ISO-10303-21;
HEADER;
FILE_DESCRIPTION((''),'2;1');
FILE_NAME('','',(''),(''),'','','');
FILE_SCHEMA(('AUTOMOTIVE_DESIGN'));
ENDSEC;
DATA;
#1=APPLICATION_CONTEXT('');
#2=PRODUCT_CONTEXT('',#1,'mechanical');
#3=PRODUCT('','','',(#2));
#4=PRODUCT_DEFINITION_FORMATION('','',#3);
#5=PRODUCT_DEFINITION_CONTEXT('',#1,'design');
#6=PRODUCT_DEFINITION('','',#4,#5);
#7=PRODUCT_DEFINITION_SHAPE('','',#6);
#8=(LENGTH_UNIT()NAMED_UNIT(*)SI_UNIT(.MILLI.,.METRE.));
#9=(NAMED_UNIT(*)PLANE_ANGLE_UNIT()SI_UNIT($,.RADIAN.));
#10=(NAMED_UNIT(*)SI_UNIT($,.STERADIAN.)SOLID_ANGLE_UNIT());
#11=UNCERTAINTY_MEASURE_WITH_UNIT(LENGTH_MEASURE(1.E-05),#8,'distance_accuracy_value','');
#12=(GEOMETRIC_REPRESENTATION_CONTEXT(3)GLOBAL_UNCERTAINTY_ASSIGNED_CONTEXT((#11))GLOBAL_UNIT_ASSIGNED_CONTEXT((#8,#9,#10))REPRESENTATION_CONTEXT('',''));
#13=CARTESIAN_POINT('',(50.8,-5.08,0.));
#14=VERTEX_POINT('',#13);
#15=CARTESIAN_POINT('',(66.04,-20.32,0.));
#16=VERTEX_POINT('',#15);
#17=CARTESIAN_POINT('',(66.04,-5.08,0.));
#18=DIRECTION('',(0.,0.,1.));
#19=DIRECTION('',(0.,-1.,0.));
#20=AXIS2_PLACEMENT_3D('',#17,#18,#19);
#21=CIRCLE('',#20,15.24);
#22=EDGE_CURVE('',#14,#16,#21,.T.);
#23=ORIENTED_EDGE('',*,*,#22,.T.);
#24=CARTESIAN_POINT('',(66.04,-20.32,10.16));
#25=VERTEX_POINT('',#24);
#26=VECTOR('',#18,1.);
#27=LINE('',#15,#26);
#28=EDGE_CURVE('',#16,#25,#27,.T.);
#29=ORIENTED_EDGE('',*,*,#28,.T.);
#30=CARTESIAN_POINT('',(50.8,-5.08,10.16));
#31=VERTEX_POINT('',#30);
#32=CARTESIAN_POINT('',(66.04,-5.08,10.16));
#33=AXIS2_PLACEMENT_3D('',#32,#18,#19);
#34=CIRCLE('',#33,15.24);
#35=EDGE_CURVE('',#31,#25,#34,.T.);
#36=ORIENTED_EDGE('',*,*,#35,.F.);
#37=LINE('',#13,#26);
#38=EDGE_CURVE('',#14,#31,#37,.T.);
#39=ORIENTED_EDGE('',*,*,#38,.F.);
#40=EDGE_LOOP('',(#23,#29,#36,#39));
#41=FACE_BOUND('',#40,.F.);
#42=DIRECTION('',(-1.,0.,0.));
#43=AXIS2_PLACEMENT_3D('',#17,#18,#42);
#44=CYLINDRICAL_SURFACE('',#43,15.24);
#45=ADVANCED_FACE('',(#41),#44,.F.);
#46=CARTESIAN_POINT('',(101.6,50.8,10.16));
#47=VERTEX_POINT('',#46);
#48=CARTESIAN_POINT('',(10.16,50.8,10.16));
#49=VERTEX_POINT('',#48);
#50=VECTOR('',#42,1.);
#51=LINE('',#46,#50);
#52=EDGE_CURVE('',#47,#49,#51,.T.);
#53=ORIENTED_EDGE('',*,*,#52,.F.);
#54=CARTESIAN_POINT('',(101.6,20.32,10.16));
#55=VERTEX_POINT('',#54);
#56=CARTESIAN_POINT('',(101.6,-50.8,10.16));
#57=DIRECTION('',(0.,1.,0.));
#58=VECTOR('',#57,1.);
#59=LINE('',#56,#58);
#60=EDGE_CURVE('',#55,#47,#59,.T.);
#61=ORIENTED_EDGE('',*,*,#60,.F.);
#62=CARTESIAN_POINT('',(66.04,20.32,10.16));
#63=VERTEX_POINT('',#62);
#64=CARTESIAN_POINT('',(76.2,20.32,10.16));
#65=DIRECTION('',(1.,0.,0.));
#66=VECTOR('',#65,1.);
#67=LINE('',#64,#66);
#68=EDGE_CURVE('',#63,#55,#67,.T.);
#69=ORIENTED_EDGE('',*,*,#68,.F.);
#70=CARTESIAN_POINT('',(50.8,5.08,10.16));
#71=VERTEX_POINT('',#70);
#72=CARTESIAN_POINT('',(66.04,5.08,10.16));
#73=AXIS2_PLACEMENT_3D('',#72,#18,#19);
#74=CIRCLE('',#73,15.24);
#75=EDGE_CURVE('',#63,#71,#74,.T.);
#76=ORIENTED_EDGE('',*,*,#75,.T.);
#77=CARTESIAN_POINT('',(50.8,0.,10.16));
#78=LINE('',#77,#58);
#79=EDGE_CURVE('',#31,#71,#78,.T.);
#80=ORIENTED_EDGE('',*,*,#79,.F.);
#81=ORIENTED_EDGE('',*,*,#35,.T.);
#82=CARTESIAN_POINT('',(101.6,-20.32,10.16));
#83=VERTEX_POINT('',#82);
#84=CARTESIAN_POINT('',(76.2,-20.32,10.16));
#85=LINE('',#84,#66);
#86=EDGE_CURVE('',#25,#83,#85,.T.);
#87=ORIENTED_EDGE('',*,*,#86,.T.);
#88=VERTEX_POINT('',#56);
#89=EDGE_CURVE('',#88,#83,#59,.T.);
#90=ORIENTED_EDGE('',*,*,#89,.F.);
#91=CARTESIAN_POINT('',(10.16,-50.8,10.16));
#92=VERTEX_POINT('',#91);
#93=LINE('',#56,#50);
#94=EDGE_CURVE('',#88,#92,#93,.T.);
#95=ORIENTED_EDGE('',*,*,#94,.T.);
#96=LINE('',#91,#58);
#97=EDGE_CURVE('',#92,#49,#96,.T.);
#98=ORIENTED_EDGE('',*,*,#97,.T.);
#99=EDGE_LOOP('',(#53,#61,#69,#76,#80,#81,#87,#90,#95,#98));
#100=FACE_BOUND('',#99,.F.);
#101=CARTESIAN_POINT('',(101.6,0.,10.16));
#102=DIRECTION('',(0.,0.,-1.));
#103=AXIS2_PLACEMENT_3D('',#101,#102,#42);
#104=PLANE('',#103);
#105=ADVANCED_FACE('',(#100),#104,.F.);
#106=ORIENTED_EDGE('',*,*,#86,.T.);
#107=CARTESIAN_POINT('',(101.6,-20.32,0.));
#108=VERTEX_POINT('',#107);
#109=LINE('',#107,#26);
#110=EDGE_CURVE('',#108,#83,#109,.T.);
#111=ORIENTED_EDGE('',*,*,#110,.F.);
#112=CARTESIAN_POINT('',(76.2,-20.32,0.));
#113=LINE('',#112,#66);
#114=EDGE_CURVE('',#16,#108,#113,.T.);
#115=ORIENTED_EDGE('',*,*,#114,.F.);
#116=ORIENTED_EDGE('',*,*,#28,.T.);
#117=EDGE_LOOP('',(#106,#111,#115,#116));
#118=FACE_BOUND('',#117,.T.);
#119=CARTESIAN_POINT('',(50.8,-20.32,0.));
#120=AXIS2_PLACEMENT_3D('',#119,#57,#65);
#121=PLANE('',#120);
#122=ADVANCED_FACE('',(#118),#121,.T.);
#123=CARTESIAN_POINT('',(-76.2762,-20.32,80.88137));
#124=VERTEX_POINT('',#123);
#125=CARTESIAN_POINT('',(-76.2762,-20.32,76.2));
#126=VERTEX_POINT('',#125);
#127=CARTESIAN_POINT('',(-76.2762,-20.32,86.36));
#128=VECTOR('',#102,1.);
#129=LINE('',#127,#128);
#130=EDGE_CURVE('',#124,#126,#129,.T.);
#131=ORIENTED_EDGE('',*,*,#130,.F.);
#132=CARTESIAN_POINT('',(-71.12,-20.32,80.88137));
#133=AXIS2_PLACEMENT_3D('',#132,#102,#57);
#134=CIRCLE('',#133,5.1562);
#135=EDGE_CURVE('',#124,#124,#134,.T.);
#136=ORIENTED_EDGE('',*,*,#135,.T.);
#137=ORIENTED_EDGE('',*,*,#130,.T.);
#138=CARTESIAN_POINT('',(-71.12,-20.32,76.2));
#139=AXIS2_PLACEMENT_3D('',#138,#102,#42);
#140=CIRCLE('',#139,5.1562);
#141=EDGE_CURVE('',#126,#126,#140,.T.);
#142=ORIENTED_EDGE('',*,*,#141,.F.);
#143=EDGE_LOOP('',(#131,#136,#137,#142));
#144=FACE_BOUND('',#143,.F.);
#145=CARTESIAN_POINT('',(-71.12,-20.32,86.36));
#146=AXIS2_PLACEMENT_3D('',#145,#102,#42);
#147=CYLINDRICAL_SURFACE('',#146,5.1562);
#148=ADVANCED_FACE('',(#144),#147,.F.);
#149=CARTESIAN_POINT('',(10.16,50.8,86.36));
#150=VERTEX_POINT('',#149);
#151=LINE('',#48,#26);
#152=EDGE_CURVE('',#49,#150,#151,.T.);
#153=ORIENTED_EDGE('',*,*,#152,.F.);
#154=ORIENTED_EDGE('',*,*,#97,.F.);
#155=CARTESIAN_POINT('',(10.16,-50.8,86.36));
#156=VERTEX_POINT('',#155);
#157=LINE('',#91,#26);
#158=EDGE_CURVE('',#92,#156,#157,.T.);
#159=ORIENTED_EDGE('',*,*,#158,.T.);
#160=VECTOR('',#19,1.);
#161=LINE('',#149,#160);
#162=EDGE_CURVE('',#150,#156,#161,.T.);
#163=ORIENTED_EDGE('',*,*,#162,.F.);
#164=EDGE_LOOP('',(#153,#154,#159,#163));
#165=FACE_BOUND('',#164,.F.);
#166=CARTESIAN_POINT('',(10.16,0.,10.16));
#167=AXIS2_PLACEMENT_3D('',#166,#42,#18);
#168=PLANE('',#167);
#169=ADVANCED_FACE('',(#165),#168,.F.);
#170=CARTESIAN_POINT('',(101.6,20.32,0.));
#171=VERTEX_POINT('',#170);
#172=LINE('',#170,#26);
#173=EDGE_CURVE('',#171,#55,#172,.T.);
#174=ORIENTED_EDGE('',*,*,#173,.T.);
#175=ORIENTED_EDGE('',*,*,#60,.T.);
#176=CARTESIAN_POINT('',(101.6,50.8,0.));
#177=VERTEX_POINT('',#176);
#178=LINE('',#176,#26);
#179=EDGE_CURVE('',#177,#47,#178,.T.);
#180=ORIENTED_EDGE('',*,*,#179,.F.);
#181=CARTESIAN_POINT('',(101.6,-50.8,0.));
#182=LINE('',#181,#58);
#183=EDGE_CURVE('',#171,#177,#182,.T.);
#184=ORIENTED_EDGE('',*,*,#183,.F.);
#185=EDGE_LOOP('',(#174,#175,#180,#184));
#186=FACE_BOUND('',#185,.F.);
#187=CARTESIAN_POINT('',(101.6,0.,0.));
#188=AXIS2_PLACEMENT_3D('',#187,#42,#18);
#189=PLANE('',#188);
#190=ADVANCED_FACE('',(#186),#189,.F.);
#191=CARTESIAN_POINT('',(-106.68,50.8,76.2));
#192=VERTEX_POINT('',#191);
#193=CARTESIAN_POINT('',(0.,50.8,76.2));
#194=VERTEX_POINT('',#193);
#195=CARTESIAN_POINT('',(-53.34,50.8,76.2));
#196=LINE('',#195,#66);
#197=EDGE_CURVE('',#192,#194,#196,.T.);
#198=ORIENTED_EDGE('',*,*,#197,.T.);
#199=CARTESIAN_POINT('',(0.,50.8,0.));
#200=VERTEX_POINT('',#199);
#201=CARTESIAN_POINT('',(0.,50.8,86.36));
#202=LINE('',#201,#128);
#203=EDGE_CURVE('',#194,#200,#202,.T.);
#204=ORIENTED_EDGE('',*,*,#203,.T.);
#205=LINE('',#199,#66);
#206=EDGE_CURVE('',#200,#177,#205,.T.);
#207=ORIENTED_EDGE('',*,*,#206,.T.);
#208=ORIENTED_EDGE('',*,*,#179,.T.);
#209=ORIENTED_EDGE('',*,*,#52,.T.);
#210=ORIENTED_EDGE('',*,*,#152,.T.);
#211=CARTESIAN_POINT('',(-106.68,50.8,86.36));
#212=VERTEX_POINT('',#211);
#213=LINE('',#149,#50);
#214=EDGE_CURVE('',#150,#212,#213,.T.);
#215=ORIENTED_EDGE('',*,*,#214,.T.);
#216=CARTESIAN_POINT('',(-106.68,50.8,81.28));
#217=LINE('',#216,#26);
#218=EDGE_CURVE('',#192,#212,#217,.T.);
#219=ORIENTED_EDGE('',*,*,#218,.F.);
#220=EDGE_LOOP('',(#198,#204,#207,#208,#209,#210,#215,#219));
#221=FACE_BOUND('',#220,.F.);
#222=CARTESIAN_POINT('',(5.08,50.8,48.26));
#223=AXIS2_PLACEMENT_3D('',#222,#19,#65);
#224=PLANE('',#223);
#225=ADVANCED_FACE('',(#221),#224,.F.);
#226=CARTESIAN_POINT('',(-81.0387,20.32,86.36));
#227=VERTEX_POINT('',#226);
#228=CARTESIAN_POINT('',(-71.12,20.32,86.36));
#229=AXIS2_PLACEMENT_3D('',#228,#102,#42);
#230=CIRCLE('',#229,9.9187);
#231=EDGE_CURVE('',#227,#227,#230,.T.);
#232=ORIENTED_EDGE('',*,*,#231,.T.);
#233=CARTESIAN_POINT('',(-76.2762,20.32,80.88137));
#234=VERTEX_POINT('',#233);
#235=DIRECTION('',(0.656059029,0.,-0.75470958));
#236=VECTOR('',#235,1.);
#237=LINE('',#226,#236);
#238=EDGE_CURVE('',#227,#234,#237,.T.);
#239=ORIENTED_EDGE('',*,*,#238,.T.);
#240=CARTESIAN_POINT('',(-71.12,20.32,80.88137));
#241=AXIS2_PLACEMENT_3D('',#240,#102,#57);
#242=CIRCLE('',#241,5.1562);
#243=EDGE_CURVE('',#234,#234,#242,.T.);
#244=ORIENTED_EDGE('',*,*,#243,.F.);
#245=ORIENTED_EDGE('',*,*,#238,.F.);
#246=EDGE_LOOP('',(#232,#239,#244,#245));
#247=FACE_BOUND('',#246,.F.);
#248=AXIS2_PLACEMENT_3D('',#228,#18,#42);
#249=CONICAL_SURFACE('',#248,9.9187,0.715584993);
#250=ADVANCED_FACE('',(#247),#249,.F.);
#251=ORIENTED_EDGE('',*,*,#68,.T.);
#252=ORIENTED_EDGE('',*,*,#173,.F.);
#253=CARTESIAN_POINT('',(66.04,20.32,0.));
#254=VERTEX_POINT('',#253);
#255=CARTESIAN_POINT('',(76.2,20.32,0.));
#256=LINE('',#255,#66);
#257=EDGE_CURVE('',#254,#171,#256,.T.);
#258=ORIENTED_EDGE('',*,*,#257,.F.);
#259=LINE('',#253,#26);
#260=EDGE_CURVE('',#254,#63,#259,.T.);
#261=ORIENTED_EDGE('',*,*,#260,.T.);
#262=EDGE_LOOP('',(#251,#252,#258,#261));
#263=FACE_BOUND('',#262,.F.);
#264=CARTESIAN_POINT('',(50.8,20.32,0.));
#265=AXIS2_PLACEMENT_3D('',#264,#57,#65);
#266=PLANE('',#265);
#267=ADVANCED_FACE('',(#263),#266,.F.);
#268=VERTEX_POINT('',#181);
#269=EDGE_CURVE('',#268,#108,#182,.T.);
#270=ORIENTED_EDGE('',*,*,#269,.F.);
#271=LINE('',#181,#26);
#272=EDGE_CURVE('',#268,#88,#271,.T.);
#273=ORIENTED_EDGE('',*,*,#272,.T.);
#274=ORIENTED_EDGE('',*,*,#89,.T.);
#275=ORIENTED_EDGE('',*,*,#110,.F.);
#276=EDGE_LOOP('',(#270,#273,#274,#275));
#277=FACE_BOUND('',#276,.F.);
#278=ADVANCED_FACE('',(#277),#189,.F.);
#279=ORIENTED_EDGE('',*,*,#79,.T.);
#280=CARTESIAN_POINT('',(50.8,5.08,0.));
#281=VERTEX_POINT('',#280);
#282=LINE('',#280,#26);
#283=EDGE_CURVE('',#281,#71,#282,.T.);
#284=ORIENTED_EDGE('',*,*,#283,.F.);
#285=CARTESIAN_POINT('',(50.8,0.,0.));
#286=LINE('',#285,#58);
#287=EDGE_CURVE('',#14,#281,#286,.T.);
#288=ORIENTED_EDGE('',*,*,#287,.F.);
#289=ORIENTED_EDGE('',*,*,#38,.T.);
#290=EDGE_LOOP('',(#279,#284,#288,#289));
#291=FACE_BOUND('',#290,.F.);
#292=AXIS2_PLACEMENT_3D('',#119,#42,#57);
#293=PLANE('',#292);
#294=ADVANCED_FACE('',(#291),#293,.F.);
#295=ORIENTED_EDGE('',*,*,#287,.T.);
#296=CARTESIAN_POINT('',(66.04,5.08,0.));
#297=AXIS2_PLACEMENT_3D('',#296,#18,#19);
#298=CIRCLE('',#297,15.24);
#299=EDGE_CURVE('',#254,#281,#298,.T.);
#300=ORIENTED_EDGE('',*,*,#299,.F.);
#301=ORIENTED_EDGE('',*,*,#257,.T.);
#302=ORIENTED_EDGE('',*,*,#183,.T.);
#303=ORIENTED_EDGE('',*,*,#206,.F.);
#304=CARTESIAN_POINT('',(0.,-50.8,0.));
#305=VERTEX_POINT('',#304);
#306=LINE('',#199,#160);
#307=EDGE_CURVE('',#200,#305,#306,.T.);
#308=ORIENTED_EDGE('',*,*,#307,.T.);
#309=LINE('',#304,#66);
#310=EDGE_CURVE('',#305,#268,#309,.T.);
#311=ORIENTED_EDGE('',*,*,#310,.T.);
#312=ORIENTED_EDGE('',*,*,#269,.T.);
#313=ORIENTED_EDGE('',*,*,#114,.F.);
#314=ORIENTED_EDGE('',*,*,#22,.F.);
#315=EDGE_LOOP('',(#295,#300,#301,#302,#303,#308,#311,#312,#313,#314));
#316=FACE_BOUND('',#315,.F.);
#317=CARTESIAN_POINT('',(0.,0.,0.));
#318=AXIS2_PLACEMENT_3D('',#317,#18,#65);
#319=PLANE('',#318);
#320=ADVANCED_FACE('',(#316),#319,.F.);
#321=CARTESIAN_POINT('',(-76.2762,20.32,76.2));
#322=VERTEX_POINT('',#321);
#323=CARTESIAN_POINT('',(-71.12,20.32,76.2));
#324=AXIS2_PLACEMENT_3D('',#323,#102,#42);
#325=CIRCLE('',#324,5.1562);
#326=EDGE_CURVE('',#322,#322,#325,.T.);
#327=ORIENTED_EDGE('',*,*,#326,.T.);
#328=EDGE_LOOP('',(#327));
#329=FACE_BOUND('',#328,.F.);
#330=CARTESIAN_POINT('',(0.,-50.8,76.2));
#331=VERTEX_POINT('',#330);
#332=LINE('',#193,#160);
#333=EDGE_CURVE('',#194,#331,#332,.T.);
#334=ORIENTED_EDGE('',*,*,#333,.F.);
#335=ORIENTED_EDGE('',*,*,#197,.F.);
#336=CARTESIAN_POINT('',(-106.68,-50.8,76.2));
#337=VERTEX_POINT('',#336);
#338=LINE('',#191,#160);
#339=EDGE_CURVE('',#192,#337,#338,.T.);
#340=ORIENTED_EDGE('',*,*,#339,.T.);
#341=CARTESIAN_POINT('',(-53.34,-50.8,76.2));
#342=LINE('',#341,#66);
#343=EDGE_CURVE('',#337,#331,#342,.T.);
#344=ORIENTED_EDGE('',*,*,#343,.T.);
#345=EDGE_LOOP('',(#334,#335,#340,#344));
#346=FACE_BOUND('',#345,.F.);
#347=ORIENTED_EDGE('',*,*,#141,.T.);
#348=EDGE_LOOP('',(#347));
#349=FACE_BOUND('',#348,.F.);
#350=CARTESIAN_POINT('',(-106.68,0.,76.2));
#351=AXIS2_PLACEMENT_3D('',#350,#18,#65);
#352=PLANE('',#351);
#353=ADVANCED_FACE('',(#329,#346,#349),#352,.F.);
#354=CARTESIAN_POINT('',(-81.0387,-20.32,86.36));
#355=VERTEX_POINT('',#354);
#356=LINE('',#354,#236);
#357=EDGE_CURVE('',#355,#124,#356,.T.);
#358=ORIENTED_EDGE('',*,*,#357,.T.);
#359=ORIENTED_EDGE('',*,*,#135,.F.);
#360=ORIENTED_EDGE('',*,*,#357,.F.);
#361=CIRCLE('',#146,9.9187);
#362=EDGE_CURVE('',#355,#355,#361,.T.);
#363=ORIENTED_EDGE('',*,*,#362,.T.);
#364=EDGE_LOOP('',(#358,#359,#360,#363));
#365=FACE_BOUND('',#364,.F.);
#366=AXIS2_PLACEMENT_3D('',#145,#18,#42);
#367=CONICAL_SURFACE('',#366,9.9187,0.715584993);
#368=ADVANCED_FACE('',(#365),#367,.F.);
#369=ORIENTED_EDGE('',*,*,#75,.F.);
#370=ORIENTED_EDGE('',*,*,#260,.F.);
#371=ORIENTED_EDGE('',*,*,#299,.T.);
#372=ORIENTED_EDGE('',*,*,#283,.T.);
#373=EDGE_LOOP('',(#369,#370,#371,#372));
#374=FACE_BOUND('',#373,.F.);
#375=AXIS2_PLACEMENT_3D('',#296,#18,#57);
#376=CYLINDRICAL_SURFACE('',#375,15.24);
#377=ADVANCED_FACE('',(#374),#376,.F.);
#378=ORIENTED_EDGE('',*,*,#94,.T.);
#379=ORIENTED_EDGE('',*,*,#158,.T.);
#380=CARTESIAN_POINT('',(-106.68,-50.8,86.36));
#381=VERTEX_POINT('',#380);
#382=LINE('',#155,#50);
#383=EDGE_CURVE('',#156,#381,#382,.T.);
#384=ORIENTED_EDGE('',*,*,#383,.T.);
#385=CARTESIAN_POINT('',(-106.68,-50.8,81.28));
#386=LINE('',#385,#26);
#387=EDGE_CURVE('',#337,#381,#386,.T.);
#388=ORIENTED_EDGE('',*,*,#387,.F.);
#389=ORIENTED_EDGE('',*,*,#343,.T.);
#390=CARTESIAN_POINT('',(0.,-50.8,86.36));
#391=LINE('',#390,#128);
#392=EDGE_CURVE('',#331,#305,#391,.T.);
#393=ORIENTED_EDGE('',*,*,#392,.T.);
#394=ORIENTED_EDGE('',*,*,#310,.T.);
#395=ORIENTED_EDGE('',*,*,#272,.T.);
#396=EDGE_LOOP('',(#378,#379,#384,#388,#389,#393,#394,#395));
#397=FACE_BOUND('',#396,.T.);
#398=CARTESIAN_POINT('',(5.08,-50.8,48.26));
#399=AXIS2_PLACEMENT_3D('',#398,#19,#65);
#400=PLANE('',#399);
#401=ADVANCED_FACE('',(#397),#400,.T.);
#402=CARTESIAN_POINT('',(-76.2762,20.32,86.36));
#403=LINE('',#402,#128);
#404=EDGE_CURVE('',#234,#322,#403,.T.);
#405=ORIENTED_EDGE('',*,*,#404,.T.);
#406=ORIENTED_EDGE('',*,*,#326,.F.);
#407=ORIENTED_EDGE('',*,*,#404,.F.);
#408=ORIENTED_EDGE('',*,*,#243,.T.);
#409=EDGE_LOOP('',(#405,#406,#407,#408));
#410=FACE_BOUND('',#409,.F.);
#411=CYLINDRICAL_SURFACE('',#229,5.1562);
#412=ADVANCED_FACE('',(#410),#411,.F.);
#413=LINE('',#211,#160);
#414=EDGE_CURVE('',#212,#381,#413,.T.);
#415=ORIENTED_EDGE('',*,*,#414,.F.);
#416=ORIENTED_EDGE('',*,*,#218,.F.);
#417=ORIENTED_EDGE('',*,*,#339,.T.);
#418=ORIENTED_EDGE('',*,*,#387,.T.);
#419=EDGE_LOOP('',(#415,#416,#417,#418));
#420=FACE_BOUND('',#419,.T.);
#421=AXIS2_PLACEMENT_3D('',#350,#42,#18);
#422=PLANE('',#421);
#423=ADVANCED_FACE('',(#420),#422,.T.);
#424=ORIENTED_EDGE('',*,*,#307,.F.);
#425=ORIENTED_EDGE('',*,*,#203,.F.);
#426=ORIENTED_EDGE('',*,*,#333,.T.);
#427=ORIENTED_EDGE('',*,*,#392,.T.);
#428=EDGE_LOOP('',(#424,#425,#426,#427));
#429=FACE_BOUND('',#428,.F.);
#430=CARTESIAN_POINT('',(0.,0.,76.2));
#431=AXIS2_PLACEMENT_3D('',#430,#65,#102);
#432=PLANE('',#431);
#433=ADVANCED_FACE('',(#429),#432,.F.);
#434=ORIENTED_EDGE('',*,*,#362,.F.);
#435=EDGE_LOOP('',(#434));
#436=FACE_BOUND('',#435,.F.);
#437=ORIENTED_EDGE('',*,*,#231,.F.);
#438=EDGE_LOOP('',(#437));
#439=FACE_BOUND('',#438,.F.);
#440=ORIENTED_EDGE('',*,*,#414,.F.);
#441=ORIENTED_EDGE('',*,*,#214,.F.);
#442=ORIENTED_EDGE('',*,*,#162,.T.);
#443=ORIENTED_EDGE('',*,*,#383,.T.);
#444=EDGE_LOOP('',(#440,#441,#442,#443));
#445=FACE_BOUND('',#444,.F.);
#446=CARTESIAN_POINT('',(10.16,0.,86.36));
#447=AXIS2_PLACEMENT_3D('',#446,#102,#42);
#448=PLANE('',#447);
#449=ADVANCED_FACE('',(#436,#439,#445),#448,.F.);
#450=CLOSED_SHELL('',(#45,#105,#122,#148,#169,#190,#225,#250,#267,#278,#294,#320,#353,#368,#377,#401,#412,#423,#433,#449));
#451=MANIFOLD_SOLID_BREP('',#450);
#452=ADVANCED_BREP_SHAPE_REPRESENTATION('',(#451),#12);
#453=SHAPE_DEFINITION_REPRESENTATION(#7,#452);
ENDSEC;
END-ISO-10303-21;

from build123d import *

# Parameters (mm, degrees)
F0_W           = 106.68
F0_H           = 10.16
F2_DEPTH       = 50.8
F2_DEPTH_BACK  = 50.8
F1_W           = 50.8
F1_H           = 40.64
F4_DEPTH       = 10.16
F5_D           = 10.3124
F5_CSINK_D     = 19.8374
F5_CSINK_ANGLE = 82
F6_R           = 15.24


with BuildPart() as f2:
    # F0 (on Front) → F2 (new body, two sides)
    with BuildSketch(Plane.XZ) as f2_sk:
        Polygon((0, 76.2), (0, 10.16), (10.16, 10.16), (10.16, 86.36), (0, 86.36), align=None)
        Polygon((10.16, 10.16), (0, 10.16), (0, 0), (101.6, 0), (101.6, 10.16), align=None)
        with Locations((-53.34, 81.28)):
            Rectangle(F0_W, F0_H)
    extrude(amount=-F2_DEPTH)
    extrude(f2_sk.sketch, amount=F2_DEPTH_BACK)

    # F1 (on Top) → F4 (cut, through all)
    with BuildSketch(Plane.XY):
        with Locations((76.2, 0)):
            Rectangle(F1_W, F1_H)
    extrude(amount=F4_DEPTH, mode=Mode.SUBTRACT)

    # F5 (through all)
    with Locations(Plane.XY.offset(86.36)):
        with Locations((-71.12, -20.32), (-71.12, 20.32)):
            CounterSinkHole(F5_D / 2, F5_CSINK_D / 2, counter_sink_angle=F5_CSINK_ANGLE)

    # F6
    f6_edges = [f2.edges().sort_by_distance(p)[0] for p in [
        (50.8, 20.32, 5.08),
        (50.8, -20.32, 5.08),
    ]]
    fillet(f6_edges, radius=F6_R)


solid = f2.part
